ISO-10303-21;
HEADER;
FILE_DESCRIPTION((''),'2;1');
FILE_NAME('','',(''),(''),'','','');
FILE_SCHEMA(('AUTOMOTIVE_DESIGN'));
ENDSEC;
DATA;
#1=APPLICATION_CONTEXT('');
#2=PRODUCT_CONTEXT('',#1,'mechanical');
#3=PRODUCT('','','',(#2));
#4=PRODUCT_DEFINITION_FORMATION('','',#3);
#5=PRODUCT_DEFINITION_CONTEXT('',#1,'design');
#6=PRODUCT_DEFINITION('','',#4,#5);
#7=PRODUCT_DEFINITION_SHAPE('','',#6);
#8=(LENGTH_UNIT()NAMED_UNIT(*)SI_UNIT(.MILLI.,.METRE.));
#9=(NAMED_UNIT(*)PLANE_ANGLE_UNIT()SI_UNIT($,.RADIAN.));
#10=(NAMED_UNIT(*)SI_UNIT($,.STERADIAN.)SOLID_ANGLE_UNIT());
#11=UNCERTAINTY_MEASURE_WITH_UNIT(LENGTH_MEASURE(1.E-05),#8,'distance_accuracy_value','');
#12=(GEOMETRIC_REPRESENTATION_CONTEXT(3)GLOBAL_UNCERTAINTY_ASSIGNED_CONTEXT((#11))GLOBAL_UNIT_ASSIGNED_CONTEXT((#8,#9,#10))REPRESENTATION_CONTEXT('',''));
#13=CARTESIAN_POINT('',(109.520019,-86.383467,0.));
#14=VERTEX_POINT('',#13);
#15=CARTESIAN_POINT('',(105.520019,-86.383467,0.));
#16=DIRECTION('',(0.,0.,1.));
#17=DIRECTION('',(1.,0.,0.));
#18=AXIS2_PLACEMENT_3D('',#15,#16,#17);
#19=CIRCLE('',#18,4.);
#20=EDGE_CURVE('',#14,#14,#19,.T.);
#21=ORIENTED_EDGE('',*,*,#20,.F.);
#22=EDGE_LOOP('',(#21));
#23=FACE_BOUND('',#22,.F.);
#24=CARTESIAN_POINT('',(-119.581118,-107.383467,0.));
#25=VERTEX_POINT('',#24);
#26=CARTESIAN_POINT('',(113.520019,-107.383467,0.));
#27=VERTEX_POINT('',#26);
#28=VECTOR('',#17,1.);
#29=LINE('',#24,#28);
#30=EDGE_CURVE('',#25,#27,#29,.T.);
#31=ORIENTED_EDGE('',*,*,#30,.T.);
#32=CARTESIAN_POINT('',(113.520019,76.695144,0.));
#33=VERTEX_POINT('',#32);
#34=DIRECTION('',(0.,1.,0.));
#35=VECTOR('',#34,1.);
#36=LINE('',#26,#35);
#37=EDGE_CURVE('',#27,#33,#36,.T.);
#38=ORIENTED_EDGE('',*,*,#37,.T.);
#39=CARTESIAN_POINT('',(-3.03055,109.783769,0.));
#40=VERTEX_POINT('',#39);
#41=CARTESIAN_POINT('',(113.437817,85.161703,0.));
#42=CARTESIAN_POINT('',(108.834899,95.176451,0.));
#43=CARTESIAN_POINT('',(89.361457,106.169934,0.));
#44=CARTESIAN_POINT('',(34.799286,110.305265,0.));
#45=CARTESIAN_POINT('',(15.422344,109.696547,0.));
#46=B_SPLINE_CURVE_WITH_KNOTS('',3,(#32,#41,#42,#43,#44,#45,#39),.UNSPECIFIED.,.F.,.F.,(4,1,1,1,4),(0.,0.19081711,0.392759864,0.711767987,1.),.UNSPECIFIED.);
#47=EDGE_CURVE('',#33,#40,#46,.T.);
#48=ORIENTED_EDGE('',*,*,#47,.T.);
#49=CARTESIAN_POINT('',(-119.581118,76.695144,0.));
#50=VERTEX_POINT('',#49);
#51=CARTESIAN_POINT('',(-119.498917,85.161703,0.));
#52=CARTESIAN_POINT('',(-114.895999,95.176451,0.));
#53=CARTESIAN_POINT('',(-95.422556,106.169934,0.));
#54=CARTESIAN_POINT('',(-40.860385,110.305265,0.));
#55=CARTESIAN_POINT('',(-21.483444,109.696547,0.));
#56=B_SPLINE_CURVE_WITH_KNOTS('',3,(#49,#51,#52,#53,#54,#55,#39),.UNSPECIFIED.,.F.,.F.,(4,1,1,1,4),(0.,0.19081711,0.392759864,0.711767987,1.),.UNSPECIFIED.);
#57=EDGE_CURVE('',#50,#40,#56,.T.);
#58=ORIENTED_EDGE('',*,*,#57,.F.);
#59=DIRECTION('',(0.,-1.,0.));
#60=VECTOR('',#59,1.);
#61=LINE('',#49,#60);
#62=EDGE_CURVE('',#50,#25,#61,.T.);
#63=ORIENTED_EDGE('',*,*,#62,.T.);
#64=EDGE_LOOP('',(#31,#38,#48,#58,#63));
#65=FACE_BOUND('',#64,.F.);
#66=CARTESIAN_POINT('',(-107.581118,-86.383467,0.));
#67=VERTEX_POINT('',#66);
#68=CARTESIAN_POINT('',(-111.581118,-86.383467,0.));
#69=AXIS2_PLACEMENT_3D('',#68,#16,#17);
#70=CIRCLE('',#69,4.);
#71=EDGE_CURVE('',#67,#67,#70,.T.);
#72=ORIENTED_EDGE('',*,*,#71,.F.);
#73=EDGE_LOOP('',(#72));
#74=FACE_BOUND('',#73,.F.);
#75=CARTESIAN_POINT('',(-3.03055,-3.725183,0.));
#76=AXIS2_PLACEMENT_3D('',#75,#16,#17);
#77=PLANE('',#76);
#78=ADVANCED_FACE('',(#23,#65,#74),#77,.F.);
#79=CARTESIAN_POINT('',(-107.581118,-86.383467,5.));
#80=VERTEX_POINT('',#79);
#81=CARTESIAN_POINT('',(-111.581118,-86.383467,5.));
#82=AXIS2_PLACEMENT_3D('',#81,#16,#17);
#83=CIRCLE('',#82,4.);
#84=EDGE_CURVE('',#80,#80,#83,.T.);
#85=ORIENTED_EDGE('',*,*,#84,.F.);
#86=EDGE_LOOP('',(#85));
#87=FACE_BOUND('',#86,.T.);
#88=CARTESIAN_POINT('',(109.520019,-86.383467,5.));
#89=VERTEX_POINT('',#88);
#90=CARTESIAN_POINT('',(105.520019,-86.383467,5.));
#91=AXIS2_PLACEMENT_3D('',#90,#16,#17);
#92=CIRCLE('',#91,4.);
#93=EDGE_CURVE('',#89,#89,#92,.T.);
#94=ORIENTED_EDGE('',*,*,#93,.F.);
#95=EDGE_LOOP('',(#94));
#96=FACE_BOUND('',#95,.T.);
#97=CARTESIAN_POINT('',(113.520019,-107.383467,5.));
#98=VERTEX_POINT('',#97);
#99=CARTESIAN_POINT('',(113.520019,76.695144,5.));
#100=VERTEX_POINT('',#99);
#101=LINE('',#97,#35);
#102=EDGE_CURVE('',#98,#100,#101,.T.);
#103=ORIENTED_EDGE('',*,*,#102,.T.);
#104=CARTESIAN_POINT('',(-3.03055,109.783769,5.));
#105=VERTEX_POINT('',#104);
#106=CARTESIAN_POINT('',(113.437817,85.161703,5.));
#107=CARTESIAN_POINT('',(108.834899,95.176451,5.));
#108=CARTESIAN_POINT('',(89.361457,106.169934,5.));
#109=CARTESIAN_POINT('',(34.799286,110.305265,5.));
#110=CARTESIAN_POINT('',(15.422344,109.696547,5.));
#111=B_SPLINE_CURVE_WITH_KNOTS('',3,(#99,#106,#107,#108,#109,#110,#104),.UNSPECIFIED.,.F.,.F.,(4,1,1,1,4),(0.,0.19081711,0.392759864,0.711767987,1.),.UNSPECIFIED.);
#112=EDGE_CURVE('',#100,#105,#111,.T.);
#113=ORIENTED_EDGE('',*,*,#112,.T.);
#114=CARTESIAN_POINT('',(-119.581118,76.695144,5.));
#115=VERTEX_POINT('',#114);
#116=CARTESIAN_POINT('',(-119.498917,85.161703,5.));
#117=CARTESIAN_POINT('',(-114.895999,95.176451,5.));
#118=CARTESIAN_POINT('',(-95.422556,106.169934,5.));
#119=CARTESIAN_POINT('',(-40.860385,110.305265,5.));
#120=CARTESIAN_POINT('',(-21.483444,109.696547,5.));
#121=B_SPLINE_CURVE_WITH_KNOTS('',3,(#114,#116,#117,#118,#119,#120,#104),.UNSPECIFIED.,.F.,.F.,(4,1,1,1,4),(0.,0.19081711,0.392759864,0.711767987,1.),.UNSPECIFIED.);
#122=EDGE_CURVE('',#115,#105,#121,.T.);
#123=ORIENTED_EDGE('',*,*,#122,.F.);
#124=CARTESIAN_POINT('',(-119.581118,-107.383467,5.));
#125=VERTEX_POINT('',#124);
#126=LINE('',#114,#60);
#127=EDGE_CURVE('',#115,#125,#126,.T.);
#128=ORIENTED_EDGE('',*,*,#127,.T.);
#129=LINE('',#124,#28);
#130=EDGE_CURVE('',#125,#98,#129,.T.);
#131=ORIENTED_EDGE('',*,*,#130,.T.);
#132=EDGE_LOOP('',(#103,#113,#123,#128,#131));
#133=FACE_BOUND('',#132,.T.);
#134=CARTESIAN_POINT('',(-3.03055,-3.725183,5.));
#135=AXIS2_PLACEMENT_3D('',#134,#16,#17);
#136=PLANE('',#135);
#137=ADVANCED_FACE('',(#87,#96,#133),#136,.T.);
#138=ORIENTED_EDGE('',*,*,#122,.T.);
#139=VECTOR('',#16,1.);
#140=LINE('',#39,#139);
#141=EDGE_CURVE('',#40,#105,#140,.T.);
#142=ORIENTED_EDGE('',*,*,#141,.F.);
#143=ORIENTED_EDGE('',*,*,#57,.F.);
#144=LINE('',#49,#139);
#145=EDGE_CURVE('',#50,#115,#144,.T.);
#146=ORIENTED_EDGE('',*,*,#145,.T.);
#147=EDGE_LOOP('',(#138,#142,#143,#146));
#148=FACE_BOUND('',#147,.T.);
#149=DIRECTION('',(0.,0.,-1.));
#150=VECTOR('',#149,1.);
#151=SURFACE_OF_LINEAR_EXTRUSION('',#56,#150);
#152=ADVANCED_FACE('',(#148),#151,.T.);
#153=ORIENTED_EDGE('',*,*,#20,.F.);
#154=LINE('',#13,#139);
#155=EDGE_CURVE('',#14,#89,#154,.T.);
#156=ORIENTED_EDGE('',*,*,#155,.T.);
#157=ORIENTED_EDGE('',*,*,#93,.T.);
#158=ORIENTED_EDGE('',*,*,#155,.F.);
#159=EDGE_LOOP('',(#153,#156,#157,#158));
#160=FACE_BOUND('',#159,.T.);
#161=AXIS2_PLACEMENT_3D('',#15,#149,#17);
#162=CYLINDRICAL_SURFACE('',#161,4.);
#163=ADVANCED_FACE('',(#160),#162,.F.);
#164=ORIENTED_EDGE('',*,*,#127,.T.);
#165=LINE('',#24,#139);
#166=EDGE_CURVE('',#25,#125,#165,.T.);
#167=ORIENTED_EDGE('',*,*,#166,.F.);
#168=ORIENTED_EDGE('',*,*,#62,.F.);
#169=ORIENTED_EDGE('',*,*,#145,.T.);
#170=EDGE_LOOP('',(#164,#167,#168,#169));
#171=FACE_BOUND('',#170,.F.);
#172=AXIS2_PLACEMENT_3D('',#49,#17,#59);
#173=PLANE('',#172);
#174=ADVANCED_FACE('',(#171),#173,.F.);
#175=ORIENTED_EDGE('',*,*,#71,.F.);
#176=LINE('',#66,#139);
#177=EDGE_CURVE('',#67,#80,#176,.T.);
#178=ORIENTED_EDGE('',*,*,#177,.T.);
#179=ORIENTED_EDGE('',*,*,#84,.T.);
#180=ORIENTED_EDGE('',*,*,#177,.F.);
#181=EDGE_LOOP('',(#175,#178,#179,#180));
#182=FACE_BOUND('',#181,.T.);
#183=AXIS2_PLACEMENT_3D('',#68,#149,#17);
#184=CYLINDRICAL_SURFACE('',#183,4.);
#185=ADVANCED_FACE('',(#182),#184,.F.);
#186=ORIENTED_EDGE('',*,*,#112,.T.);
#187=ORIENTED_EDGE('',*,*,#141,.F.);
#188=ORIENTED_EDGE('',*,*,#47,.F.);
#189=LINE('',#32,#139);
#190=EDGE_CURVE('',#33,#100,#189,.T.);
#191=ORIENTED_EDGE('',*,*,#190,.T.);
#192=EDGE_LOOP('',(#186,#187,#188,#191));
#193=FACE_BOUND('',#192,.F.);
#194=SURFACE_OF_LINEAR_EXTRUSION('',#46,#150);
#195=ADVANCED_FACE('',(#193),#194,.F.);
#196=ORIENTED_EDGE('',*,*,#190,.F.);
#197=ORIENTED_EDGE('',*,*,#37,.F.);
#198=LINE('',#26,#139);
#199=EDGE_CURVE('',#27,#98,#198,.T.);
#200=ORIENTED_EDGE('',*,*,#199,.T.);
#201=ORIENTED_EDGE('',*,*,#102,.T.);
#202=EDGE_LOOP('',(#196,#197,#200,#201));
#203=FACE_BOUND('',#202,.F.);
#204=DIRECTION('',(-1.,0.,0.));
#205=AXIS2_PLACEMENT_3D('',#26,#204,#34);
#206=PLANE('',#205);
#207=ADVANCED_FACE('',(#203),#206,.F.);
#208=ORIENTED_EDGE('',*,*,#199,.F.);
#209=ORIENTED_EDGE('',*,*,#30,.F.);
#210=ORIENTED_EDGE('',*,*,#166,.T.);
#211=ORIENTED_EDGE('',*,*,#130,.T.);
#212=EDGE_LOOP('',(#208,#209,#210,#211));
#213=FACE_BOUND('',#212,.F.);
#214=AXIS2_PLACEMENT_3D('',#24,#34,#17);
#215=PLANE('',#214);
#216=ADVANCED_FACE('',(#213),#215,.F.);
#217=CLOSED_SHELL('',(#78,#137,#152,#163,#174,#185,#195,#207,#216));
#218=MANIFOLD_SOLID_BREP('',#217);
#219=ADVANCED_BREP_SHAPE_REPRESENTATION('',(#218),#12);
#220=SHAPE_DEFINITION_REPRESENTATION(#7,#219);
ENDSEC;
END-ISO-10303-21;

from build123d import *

# Parameters (mm, degrees)
F0_R     = 4
F1_DEPTH = 5


with BuildPart() as f1:
    # F0 (on Top) → F1 (new body)
    with BuildSketch(Plane.XY):
        with BuildLine():
            Line((-119.5811182261, 76.6951441765), (-119.5811182261, -107.383467257))
            Line((-119.5811182261, -107.383467257), (-3.0305497332, -107.383467257))
            Line((-3.0305497332, -107.383467257), (113.5200187597, -107.383467257))
            Line((113.5200187597, -107.383467257), (113.5200187597, 76.6951441765))
            add(Edge.make_bspline(
                [(113.5200187597, 76.6951441765), (113.4378174049, 85.1617030574), (108.8348990581, 95.1764506616), (89.3614569727, 106.1699339731), (34.7992859402, 110.3052650533), (15.4223444663, 109.6965472095), (-3.0305497332, 109.7837686539)],
                knots=[0, 0, 0, 0, 0.1908171096, 0.3927598637, 0.7117679874, 1, 1, 1, 1], degree=3))
            add(Edge.make_bspline(
                [(-119.5811182261, 76.6951441765), (-119.4989168713, 85.1617030574), (-114.8959985244, 95.1764506616), (-95.4225564391, 106.1699339731), (-40.8603854065, 110.3052650533), (-21.4834439326, 109.6965472095), (-3.0305497332, 109.7837686539)],
                knots=[0, 0, 0, 0, 0.1908171096, 0.3927598637, 0.7117679874, 1, 1, 1, 1], degree=3))
        make_face()
        with Locations((-111.5811182261, -86.383467257)):
            Circle(F0_R, mode=Mode.SUBTRACT)
        with Locations((105.5200187597, -86.383467257)):
            Circle(F0_R, mode=Mode.SUBTRACT)
    extrude(amount=F1_DEPTH)


solid = f1.part
